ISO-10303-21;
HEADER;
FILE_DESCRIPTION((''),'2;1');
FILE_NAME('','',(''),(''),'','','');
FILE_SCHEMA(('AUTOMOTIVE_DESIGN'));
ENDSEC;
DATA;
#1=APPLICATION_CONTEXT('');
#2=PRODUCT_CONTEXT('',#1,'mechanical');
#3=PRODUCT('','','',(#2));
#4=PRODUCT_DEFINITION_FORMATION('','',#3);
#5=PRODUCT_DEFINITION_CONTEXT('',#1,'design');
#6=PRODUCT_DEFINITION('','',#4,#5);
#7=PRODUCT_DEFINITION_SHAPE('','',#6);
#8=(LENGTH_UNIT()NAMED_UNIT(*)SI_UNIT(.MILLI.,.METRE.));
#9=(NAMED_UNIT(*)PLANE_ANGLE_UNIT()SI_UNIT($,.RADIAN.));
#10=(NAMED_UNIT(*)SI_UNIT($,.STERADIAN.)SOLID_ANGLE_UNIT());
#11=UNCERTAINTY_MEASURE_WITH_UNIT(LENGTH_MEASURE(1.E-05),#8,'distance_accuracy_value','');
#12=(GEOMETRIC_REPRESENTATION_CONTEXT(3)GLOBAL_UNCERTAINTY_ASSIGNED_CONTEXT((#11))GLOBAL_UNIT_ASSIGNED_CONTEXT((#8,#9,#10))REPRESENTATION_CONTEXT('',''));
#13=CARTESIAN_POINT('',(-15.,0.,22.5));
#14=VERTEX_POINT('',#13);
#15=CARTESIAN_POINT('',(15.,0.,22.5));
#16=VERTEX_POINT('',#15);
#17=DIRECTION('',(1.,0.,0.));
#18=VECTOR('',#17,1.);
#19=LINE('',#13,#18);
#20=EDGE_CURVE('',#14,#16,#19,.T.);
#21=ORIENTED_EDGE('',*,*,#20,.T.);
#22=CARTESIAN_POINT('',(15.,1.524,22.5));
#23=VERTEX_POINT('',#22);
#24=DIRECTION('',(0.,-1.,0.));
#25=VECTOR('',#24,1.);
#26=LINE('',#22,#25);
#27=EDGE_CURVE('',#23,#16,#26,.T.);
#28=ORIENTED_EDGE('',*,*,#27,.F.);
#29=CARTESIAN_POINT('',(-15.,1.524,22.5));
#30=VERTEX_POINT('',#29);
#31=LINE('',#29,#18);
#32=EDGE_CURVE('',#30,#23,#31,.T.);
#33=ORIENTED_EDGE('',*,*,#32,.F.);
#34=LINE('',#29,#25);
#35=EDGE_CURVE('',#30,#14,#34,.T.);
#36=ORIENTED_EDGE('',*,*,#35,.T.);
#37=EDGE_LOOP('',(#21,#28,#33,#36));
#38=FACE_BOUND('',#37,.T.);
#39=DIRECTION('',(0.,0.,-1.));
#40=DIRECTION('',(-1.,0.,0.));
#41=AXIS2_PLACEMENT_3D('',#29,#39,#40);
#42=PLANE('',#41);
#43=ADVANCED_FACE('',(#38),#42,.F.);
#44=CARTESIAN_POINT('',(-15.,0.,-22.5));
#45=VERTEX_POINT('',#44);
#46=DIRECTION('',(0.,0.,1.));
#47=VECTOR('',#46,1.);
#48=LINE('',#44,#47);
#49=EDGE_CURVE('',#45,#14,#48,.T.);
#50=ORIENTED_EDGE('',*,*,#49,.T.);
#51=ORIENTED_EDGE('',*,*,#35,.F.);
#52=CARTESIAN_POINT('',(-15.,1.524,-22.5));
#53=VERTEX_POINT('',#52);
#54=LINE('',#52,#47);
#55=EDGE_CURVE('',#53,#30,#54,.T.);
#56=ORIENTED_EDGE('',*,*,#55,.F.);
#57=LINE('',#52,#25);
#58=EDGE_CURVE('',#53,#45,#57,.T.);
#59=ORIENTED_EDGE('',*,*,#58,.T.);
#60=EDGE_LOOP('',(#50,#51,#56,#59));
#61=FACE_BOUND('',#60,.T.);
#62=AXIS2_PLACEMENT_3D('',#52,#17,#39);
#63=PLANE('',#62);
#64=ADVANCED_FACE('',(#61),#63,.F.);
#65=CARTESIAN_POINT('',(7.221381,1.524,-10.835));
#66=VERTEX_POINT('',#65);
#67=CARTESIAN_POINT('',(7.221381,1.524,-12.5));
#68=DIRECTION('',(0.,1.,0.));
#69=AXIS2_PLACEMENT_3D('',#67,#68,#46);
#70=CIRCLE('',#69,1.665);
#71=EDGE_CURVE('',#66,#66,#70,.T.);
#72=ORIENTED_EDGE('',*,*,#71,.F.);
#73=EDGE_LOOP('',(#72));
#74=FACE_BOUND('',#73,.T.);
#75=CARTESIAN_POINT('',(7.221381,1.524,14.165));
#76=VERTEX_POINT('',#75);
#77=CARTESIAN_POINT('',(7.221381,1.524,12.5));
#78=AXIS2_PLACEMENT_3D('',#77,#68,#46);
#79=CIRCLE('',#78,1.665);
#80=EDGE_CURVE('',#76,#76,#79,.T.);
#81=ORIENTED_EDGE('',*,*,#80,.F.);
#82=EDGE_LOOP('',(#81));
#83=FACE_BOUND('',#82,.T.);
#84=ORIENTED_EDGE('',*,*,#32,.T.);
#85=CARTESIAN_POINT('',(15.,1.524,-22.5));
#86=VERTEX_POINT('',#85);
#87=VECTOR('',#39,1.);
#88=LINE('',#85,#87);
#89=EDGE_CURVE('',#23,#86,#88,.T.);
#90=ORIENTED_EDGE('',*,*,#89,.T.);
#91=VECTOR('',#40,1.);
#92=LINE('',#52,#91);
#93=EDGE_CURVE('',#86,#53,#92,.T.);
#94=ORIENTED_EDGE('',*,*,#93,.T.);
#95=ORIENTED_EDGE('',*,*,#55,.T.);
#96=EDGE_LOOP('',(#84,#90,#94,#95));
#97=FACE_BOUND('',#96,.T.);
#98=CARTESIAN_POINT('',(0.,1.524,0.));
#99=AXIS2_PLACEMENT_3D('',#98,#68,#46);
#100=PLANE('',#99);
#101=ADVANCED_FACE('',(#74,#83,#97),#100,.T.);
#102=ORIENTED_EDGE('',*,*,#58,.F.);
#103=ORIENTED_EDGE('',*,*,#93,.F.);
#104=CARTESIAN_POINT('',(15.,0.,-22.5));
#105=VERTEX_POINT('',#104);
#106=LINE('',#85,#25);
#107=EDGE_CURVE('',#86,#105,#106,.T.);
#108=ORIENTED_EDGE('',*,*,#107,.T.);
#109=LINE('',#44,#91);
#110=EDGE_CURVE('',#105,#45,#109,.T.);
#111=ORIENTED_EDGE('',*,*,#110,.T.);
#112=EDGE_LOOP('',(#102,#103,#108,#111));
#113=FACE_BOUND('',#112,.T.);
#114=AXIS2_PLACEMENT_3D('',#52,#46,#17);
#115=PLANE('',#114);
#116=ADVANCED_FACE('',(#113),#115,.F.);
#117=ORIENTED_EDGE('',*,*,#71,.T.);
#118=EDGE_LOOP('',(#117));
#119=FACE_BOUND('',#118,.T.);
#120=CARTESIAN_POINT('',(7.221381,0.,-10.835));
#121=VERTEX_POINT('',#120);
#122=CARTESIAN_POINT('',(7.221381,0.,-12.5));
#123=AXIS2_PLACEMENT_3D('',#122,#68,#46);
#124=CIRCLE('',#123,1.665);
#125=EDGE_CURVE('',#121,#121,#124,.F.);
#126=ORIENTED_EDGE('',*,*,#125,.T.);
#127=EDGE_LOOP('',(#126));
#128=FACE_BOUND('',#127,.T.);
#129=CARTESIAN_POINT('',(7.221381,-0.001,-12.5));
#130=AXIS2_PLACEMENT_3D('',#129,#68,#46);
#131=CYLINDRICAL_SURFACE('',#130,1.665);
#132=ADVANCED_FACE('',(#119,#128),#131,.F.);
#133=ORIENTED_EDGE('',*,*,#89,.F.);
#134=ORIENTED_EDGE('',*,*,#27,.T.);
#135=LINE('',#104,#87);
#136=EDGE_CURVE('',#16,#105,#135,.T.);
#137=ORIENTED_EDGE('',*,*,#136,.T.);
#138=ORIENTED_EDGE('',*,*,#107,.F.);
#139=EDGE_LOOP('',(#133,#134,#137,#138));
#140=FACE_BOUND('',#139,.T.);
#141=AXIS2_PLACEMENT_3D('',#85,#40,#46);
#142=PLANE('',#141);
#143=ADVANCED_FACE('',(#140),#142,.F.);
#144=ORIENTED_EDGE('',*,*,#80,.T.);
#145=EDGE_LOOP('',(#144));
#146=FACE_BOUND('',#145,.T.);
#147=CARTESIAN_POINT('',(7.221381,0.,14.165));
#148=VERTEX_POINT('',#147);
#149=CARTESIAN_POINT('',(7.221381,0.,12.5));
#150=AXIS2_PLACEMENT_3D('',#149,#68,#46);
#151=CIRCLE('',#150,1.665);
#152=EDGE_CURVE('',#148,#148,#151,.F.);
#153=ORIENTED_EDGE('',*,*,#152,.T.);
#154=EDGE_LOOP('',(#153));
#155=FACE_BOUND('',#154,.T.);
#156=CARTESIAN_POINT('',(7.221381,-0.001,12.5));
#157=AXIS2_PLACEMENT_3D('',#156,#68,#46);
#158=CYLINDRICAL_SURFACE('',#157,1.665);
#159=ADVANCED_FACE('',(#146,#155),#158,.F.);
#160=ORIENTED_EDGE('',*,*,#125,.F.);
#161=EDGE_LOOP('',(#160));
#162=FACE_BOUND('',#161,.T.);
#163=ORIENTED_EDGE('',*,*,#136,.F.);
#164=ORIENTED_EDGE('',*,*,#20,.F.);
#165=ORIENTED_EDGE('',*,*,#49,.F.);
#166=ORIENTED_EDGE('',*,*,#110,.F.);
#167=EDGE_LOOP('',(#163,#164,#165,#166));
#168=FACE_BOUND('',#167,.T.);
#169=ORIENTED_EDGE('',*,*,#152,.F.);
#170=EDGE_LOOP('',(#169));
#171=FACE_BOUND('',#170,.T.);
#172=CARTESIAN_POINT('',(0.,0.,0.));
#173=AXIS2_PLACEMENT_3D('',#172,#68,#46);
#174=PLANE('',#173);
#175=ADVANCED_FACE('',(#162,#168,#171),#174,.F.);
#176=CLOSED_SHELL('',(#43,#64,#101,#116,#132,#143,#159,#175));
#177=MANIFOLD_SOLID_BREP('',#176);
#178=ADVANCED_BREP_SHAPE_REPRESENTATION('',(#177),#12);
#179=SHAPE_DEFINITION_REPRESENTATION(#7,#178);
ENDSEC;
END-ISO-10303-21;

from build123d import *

# Parameters (mm, degrees)
SKETCH1_W           = 30
SKETCH1_H           = 45
BOSS_EXTRUDE1_DEPTH = 1.524
CUT_EXTRUDE1_REACH  = 29.085
SKETCH2_R           = 1.665


with BuildPart() as part:
    # Sketch1 → Boss-Extrude1 (new body)
    with BuildSketch(Plane(origin=(0, 0, 0), x_dir=(1, 0, 0), z_dir=(0, 1, 0))):
        Rectangle(SKETCH1_W, SKETCH1_H)
    extrude(amount=BOSS_EXTRUDE1_DEPTH)

    # Sketch2 → Cut-Extrude1 (cut, up to next)
    with BuildSketch(Plane(origin=(0, 1.524, 0), x_dir=(1, 0, 0), z_dir=(0, 1, 0)), mode=Mode.PRIVATE) as cut_extrude1_sk1:
        with Locations(Location((7.221380866, 12.5, 0), (0, 0, 270))):
            Circle(SKETCH2_R)
    cut_extrude1_tool1 = extrude(cut_extrude1_sk1.sketch, amount=-CUT_EXTRUDE1_REACH, mode=Mode.PRIVATE) & part.part
    # Sketch2 → Cut-Extrude1 (cut, up to next)
    with BuildSketch(Plane(origin=(0, 1.524, 0), x_dir=(1, 0, 0), z_dir=(0, 1, 0)), mode=Mode.PRIVATE) as cut_extrude1_sk2:
        with Locations(Location((7.221380866, -12.5, 0), (0, 0, 270))):
            Circle(SKETCH2_R)
    cut_extrude1_tool2 = extrude(cut_extrude1_sk2.sketch, amount=-CUT_EXTRUDE1_REACH, mode=Mode.PRIVATE) & part.part
    add(cut_extrude1_tool1.solids().sort_by_distance((7.221381, 1.524, -12.5))[0], mode=Mode.SUBTRACT)
    add(cut_extrude1_tool2.solids().sort_by_distance((7.221381, 1.524, 12.5))[0], mode=Mode.SUBTRACT)


solid = part.part
